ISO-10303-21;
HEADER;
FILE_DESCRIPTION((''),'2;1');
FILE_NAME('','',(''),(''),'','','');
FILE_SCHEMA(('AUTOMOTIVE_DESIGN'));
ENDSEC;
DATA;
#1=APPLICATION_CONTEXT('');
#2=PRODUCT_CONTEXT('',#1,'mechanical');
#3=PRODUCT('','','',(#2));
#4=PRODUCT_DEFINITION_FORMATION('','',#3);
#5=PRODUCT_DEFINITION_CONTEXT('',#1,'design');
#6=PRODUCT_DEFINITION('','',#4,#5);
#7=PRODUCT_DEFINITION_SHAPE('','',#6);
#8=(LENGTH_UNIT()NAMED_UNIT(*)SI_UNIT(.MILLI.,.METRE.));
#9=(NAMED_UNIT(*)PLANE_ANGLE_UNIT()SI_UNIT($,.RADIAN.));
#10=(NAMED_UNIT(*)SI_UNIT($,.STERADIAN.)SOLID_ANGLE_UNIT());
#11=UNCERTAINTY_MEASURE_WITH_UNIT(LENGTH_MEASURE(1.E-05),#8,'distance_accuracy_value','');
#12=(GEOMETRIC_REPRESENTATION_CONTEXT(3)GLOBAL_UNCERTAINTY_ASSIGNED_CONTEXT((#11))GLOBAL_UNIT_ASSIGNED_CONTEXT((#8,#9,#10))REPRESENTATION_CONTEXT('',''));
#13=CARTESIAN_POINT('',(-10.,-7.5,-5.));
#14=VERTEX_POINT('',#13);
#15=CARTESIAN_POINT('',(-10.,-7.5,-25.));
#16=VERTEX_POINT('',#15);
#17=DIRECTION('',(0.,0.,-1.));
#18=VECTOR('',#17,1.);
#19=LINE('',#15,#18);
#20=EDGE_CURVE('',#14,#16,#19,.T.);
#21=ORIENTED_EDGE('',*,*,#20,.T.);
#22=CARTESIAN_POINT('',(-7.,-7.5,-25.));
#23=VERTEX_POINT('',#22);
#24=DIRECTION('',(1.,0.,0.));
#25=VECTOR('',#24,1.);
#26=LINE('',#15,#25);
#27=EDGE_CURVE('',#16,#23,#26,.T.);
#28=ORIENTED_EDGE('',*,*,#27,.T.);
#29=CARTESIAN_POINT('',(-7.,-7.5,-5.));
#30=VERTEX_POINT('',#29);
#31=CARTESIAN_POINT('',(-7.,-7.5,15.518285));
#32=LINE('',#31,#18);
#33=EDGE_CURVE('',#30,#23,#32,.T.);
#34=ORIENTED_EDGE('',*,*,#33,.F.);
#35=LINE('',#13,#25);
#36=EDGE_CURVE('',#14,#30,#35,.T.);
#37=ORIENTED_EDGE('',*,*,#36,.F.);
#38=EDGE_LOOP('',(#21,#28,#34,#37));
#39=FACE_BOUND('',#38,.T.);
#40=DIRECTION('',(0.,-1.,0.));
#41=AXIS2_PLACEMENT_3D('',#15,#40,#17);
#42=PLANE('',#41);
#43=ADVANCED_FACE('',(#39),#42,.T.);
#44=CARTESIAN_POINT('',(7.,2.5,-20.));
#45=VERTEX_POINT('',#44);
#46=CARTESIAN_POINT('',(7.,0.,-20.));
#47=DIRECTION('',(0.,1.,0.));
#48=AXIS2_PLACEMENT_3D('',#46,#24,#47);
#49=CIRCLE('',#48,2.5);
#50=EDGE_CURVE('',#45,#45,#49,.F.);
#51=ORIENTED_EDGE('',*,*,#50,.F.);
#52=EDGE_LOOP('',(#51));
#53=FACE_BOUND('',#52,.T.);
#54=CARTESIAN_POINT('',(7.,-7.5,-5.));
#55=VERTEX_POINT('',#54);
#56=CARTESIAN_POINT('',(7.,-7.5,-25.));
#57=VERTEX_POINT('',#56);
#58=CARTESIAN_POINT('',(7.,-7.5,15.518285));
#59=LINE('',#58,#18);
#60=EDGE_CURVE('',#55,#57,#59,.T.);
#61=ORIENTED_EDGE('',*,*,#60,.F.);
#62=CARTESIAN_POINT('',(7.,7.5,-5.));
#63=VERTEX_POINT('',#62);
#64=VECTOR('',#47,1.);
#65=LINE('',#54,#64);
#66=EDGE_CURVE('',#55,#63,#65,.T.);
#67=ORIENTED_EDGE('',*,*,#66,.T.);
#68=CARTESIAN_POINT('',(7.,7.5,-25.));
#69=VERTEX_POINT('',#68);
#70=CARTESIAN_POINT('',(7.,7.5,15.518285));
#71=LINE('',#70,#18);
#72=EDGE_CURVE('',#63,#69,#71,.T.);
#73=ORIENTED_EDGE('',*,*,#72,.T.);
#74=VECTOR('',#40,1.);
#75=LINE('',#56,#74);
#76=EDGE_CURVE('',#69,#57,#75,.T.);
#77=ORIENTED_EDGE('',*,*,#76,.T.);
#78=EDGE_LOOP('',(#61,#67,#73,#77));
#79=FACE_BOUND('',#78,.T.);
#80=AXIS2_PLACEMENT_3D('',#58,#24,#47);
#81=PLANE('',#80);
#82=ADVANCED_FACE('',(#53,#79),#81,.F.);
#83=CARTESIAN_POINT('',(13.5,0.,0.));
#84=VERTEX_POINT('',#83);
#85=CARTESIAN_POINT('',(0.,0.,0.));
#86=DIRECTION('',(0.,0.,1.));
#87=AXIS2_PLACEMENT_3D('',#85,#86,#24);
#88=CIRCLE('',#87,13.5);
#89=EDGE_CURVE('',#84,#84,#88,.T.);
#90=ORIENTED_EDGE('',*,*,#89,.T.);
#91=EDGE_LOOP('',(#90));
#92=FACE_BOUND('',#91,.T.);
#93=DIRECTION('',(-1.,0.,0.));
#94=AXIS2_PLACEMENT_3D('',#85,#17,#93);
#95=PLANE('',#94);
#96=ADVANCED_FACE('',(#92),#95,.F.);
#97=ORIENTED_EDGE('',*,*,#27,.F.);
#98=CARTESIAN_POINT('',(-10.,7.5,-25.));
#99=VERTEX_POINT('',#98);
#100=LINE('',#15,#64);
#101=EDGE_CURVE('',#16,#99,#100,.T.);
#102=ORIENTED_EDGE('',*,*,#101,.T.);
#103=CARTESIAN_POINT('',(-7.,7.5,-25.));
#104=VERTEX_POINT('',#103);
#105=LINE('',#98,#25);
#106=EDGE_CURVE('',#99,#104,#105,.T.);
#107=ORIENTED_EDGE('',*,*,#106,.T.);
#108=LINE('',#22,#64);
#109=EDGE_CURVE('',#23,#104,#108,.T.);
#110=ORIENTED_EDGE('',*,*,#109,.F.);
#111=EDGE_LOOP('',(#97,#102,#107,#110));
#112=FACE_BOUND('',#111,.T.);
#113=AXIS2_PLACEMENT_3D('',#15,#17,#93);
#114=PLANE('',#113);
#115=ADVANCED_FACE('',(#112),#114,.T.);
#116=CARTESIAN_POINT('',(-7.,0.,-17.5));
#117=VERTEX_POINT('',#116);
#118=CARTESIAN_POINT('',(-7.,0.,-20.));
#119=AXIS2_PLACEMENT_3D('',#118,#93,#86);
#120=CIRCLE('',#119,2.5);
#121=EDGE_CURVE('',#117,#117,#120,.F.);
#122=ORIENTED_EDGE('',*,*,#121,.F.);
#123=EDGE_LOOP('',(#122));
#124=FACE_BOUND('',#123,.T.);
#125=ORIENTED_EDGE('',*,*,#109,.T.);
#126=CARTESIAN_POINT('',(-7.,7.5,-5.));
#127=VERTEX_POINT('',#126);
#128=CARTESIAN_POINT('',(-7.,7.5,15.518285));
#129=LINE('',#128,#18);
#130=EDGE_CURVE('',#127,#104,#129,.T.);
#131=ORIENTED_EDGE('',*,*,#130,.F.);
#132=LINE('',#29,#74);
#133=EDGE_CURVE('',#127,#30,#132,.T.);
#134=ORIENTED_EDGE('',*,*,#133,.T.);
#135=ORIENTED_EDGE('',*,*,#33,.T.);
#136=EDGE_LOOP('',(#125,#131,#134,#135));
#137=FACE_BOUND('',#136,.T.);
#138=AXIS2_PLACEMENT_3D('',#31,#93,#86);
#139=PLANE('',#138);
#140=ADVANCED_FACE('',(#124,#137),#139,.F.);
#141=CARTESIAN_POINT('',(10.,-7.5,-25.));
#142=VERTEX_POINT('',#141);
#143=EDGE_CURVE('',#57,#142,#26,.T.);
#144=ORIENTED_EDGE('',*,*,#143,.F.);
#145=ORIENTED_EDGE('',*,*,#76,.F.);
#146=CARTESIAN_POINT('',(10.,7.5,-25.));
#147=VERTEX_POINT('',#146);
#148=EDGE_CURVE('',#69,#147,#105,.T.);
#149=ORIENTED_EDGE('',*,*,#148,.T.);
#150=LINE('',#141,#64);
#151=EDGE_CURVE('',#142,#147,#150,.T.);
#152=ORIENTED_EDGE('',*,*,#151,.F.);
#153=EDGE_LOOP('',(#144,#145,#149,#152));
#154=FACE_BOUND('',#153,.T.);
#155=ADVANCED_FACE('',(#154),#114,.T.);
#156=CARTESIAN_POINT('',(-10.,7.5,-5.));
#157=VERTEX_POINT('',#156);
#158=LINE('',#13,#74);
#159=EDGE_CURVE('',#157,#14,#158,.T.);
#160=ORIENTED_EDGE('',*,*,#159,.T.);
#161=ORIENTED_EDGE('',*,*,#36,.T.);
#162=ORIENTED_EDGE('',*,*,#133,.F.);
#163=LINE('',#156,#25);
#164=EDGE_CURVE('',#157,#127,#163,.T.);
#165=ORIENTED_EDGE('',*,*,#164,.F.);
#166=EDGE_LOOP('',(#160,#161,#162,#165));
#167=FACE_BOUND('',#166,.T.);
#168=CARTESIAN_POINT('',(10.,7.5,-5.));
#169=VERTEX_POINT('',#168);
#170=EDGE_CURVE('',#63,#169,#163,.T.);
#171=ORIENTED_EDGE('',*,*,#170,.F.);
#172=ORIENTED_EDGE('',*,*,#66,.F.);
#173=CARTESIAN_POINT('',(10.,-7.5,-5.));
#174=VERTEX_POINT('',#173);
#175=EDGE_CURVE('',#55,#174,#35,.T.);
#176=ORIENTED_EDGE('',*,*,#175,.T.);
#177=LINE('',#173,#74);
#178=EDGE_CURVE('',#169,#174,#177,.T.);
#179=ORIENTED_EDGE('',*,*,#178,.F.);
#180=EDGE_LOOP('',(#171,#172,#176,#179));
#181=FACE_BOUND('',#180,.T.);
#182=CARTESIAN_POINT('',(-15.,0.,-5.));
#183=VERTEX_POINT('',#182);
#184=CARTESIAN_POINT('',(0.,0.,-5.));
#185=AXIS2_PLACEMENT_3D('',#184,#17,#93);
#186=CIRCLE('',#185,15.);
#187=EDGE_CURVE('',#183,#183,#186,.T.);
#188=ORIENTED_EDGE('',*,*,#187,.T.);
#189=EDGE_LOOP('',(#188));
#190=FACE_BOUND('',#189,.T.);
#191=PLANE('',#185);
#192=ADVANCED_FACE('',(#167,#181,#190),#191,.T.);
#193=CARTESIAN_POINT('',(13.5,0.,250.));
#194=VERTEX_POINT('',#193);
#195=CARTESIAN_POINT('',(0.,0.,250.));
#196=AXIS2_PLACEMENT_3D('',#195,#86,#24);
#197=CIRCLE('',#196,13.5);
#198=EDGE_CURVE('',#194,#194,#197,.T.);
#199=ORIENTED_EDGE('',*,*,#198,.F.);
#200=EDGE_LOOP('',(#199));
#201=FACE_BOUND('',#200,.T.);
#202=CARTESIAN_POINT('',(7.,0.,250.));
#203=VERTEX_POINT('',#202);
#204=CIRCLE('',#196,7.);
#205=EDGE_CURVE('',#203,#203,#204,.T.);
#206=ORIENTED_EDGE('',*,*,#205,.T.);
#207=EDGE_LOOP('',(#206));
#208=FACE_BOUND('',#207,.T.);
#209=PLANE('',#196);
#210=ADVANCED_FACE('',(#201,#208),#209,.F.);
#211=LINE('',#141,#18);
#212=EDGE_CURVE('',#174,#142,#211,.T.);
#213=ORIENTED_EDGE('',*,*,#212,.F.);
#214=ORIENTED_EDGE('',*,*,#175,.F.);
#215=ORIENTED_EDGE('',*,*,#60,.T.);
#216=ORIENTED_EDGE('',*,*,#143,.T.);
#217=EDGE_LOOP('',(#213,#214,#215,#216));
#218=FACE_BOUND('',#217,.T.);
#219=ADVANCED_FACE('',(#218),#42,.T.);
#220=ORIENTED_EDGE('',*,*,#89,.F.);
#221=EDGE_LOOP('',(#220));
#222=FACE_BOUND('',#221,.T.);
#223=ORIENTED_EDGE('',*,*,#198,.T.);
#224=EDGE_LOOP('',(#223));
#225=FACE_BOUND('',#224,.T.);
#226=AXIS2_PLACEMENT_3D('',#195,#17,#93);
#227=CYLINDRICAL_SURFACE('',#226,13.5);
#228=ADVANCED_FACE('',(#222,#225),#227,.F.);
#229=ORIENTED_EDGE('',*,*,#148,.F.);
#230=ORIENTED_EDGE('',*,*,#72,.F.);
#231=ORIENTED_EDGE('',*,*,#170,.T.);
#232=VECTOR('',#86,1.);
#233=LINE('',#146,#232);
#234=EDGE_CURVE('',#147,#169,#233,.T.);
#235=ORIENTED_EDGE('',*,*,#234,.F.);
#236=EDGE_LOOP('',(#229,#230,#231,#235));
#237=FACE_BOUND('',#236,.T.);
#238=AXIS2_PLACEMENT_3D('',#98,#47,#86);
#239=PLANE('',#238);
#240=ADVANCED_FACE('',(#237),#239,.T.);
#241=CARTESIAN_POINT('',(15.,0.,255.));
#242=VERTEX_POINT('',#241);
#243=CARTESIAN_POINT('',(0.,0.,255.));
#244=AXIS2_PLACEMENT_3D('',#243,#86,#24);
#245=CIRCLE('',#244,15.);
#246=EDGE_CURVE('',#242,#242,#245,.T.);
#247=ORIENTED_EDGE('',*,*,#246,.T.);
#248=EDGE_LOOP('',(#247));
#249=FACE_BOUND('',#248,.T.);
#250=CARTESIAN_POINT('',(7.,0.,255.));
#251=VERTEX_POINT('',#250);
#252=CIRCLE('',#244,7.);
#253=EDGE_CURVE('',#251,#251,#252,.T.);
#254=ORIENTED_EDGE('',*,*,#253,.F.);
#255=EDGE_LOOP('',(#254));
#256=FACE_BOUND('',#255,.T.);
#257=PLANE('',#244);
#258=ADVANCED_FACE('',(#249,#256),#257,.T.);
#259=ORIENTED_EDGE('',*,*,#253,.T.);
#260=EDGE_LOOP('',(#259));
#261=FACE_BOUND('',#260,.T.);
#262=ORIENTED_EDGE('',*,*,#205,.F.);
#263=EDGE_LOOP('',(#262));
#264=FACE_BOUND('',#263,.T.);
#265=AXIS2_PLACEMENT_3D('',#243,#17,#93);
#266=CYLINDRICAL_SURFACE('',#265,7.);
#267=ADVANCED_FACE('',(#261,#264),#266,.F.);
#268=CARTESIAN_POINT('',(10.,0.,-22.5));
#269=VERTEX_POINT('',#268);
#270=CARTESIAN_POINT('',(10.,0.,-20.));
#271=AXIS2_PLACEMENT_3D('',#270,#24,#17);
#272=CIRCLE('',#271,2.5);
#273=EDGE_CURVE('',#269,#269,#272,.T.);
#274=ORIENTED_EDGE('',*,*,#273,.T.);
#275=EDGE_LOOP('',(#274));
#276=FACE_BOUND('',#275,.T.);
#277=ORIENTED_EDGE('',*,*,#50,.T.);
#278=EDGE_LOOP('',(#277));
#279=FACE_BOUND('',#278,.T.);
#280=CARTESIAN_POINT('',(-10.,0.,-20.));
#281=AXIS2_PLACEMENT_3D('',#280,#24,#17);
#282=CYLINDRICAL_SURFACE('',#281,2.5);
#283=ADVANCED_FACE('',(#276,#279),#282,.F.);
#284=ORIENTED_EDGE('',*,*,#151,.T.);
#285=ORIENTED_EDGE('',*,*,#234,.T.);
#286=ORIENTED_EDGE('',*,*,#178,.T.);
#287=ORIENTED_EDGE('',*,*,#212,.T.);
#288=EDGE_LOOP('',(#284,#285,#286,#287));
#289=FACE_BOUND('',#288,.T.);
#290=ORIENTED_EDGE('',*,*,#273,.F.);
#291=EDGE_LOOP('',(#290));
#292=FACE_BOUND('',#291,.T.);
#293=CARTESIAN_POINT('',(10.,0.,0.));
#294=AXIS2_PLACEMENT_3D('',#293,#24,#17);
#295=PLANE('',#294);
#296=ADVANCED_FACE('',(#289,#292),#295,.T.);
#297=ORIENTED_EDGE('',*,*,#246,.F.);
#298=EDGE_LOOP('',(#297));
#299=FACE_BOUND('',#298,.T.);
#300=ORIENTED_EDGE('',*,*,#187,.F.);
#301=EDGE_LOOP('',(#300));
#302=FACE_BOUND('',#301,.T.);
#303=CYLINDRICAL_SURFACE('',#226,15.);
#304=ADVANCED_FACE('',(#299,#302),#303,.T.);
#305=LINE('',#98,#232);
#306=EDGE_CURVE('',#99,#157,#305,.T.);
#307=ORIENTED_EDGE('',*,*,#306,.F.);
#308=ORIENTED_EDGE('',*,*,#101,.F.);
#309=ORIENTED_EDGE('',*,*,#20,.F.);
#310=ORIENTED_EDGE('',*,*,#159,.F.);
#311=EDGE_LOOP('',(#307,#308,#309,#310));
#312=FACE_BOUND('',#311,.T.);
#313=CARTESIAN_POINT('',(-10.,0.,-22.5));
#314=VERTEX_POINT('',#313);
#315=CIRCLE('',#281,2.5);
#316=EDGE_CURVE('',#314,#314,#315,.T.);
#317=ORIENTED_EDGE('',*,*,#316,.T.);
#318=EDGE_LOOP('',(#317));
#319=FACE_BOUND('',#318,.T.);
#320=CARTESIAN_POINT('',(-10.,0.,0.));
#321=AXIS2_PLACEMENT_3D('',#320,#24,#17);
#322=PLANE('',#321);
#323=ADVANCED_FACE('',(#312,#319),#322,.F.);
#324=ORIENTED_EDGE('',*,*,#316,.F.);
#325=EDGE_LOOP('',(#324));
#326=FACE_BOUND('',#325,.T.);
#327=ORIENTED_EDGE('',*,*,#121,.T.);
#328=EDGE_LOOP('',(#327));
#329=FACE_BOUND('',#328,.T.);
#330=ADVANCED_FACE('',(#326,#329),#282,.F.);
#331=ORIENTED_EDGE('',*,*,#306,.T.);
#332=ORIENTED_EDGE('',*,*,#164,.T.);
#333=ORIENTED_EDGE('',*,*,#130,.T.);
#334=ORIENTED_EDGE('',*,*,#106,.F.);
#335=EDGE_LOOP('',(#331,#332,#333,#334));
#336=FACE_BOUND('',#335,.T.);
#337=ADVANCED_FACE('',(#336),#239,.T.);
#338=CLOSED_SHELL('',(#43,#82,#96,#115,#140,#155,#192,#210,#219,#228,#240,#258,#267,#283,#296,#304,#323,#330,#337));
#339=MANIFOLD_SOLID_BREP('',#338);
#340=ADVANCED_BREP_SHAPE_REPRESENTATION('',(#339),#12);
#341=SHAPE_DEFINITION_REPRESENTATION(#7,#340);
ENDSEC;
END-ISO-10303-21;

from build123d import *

# Parameters (mm, degrees)
SKETCH1_R                = 15
SKETCH1_R_2              = 13.5
BOSS_EXTRUDE1_DEPTH      = 250
SKETCH2_R                = 15
BOSS_EXTRUDE2_DEPTH      = 5
SKETCH3_R                = 15
SKETCH3_R_2              = 7
BOSS_EXTRUDE3_DEPTH      = 5
SKETCH4_W                = 20
SKETCH4_H                = 15
SKETCH4_R                = 2.5
BOSS_EXTRUDE4_DEPTH      = 10
BOSS_EXTRUDE4_DEPTH_BACK = 10
SKETCH5_W                = 14
SKETCH5_H                = 15
CUT_EXTRUDE1_DEPTH       = 20


with BuildPart() as part:
    # Sketch1 → Boss-Extrude1 (new body)
    with BuildSketch(Plane.XY):
        Circle(SKETCH1_R)
        Circle(SKETCH1_R_2, mode=Mode.SUBTRACT)
    extrude(amount=BOSS_EXTRUDE1_DEPTH)

    # Sketch2 → Boss-Extrude2 (add)
    with BuildSketch(Plane(origin=(0, 0, 0), x_dir=(-1, 0, 0), z_dir=(0, 0, -1))):
        Circle(SKETCH2_R)
    extrude(amount=BOSS_EXTRUDE2_DEPTH)

    # Sketch3 → Boss-Extrude3 (add)
    with BuildSketch(Plane.XY.offset(250)):
        Circle(SKETCH3_R)
        Circle(SKETCH3_R_2, mode=Mode.SUBTRACT)
    extrude(amount=BOSS_EXTRUDE3_DEPTH)

    # Sketch4 → Boss-Extrude4 (add, two sides)
    with BuildSketch(Plane(origin=(0, 0, 0), x_dir=(0, 0, -1), z_dir=(1, 0, 0))) as boss_extrude4_sk:
        with Locations((15, 0)):
            Rectangle(SKETCH4_W, SKETCH4_H)
        with Locations((20, 0)):
            Circle(SKETCH4_R, mode=Mode.SUBTRACT)
    extrude(amount=BOSS_EXTRUDE4_DEPTH)
    extrude(boss_extrude4_sk.sketch, amount=-BOSS_EXTRUDE4_DEPTH_BACK)

    # Sketch5 → Cut-Extrude1 (cut)
    with BuildSketch(Plane(origin=(0, 0, -25), x_dir=(-1, 0, 0), z_dir=(0, 0, -1))):
        Rectangle(SKETCH5_W, SKETCH5_H)
    extrude(amount=-CUT_EXTRUDE1_DEPTH, mode=Mode.SUBTRACT)


solid = part.part
